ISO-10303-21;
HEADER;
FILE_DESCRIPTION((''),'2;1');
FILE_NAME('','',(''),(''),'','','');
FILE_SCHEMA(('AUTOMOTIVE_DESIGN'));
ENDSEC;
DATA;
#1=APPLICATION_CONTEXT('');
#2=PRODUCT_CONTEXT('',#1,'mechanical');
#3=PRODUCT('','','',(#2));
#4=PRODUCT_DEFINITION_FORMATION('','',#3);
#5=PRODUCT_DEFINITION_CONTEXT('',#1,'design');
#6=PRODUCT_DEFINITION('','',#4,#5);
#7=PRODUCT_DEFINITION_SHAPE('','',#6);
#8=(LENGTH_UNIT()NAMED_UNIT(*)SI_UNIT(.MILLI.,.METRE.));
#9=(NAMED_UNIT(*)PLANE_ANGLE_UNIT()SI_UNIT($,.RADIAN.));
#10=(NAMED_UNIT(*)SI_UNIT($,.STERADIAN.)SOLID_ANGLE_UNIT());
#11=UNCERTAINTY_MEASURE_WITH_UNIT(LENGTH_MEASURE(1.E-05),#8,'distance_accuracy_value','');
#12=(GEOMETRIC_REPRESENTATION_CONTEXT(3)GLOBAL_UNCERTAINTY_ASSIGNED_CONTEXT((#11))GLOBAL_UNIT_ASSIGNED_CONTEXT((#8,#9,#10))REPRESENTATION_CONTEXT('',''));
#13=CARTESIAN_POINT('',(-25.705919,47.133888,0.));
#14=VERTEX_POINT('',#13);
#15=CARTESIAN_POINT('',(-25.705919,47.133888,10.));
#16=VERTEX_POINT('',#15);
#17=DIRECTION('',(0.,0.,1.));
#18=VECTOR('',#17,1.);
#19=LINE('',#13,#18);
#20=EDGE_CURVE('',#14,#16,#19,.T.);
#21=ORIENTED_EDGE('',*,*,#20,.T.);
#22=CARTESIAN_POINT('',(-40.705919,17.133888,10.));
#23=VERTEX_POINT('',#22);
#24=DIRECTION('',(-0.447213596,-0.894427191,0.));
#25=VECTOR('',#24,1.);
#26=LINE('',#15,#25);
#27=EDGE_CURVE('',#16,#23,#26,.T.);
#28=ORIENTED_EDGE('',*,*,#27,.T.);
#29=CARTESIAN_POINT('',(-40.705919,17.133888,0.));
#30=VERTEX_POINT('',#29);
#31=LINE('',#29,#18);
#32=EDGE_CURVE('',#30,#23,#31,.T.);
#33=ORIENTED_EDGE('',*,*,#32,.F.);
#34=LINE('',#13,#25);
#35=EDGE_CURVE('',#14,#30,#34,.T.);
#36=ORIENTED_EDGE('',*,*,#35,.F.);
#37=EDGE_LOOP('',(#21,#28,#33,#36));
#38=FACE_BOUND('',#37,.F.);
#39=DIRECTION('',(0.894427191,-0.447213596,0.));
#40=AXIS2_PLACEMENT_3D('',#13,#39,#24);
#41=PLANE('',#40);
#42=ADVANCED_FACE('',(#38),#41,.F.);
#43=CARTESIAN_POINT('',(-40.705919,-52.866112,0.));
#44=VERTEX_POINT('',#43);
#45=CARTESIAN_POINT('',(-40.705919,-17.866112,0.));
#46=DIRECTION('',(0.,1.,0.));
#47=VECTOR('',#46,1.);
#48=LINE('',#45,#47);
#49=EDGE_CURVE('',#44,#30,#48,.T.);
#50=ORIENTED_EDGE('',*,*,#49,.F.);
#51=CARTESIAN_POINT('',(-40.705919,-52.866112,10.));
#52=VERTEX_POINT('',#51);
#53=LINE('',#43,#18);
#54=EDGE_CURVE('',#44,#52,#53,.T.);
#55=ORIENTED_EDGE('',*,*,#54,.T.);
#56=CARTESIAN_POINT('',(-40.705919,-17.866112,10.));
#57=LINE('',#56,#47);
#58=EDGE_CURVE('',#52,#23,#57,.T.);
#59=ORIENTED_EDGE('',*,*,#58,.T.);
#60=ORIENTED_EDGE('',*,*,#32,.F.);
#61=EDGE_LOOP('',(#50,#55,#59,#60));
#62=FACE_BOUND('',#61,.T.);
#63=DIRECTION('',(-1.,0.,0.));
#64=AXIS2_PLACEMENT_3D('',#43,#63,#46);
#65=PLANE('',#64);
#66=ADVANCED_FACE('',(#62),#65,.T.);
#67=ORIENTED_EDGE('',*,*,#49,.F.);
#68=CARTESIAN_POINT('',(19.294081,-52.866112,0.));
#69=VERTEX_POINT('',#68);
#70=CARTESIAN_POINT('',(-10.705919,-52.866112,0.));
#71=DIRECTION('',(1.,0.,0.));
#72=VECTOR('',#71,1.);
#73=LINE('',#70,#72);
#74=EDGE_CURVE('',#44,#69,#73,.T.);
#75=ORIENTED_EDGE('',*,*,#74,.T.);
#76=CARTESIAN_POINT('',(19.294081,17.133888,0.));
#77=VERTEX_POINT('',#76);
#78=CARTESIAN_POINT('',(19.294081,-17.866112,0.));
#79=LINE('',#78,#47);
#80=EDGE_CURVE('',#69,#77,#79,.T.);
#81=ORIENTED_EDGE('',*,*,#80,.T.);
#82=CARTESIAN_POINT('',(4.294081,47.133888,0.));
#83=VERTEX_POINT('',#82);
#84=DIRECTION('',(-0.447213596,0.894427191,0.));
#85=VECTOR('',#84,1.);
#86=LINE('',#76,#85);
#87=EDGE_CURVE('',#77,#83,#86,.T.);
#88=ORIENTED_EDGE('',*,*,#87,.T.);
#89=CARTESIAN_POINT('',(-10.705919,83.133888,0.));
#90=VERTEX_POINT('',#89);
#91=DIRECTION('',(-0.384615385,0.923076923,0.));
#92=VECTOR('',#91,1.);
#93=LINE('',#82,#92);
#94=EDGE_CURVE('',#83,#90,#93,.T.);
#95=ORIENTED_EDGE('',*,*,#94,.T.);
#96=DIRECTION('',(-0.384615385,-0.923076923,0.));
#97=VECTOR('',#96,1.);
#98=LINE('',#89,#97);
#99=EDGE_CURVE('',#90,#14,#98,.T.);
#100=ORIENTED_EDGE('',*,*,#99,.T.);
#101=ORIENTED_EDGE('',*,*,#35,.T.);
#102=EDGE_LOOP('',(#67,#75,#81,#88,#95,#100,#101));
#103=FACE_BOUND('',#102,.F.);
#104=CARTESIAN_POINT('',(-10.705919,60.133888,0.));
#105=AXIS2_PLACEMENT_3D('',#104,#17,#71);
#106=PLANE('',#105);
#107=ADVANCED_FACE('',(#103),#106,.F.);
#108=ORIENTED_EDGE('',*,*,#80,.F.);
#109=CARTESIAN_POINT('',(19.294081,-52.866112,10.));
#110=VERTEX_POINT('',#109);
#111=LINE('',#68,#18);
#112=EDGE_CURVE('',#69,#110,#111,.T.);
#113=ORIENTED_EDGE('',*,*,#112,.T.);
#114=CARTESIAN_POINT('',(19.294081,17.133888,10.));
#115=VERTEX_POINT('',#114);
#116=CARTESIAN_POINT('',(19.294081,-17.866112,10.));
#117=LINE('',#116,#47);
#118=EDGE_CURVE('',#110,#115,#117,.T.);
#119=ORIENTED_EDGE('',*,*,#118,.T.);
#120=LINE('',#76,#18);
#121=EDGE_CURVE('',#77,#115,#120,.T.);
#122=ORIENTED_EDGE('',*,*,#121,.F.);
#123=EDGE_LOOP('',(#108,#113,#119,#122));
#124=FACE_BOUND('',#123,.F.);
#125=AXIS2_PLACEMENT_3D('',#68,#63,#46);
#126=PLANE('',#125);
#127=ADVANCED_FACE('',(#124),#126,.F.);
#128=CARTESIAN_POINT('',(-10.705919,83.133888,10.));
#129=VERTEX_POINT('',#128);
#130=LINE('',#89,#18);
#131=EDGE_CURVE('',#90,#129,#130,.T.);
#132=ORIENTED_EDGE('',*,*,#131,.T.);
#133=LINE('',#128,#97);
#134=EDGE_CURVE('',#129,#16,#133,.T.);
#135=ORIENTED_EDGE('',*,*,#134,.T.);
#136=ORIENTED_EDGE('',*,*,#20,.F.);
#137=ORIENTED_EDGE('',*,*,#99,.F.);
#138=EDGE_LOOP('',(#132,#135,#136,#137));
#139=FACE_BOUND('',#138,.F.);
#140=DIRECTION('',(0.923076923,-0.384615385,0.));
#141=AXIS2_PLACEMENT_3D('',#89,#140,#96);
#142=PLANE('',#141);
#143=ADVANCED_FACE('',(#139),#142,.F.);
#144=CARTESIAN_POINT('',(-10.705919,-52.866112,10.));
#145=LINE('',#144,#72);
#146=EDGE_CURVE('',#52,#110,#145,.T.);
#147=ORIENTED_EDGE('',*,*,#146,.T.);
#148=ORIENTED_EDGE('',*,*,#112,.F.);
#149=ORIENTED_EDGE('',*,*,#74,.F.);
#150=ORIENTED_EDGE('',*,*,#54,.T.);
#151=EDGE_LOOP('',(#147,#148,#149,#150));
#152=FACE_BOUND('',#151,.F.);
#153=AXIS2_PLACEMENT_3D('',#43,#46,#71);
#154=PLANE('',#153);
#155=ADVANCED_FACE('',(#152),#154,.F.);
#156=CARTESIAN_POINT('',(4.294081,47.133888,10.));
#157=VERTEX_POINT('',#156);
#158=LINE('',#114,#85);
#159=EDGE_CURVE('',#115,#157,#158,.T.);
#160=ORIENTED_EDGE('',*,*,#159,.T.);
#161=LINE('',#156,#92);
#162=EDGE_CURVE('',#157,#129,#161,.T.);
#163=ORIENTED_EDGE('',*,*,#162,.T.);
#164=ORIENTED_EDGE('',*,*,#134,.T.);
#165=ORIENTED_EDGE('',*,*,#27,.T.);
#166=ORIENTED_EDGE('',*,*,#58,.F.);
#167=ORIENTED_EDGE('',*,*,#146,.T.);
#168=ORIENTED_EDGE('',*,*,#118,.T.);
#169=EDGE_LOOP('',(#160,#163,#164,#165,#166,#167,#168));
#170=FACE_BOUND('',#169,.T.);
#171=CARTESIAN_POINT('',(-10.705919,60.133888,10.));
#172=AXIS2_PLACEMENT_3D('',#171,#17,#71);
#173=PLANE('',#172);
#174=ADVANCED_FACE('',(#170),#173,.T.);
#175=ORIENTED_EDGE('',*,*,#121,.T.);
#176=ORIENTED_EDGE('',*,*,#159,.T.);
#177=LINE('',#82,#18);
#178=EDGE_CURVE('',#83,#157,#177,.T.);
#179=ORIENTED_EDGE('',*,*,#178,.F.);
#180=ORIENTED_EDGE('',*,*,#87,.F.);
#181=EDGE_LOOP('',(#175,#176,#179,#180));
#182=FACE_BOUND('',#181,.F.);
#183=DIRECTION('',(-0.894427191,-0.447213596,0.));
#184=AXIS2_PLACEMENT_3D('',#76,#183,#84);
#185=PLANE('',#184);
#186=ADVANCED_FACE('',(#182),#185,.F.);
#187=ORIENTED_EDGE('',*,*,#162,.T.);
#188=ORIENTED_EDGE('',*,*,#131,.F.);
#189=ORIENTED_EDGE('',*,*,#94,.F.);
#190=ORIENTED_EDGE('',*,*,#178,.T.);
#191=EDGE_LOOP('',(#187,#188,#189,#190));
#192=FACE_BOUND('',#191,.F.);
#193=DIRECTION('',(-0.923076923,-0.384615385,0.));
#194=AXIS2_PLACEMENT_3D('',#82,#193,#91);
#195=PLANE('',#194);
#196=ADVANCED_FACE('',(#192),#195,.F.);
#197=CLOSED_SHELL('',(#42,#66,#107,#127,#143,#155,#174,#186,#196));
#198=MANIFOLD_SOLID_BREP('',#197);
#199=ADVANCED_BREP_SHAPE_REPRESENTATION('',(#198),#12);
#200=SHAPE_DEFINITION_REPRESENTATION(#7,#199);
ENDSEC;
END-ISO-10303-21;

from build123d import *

# Parameters (mm, degrees)
F0_W     = 60
F0_H     = 70
F1_DEPTH = 10


with BuildPart() as f1:
    # F0 (on Top) → F1 (new body)
    with BuildSketch(Plane.XY):
        Polygon((-10.705919, 83.133888), (-25.705919, 47.133888), (4.294081, 47.133888), align=None)
        Polygon((-25.705919, 47.133888), (-40.705919, 17.133888), (19.294081, 17.133888), (4.294081, 47.133888), align=None)
        with Locations((-10.705919, -17.866112)):
            Rectangle(F0_W, F0_H)
    extrude(amount=F1_DEPTH)


solid = f1.part
